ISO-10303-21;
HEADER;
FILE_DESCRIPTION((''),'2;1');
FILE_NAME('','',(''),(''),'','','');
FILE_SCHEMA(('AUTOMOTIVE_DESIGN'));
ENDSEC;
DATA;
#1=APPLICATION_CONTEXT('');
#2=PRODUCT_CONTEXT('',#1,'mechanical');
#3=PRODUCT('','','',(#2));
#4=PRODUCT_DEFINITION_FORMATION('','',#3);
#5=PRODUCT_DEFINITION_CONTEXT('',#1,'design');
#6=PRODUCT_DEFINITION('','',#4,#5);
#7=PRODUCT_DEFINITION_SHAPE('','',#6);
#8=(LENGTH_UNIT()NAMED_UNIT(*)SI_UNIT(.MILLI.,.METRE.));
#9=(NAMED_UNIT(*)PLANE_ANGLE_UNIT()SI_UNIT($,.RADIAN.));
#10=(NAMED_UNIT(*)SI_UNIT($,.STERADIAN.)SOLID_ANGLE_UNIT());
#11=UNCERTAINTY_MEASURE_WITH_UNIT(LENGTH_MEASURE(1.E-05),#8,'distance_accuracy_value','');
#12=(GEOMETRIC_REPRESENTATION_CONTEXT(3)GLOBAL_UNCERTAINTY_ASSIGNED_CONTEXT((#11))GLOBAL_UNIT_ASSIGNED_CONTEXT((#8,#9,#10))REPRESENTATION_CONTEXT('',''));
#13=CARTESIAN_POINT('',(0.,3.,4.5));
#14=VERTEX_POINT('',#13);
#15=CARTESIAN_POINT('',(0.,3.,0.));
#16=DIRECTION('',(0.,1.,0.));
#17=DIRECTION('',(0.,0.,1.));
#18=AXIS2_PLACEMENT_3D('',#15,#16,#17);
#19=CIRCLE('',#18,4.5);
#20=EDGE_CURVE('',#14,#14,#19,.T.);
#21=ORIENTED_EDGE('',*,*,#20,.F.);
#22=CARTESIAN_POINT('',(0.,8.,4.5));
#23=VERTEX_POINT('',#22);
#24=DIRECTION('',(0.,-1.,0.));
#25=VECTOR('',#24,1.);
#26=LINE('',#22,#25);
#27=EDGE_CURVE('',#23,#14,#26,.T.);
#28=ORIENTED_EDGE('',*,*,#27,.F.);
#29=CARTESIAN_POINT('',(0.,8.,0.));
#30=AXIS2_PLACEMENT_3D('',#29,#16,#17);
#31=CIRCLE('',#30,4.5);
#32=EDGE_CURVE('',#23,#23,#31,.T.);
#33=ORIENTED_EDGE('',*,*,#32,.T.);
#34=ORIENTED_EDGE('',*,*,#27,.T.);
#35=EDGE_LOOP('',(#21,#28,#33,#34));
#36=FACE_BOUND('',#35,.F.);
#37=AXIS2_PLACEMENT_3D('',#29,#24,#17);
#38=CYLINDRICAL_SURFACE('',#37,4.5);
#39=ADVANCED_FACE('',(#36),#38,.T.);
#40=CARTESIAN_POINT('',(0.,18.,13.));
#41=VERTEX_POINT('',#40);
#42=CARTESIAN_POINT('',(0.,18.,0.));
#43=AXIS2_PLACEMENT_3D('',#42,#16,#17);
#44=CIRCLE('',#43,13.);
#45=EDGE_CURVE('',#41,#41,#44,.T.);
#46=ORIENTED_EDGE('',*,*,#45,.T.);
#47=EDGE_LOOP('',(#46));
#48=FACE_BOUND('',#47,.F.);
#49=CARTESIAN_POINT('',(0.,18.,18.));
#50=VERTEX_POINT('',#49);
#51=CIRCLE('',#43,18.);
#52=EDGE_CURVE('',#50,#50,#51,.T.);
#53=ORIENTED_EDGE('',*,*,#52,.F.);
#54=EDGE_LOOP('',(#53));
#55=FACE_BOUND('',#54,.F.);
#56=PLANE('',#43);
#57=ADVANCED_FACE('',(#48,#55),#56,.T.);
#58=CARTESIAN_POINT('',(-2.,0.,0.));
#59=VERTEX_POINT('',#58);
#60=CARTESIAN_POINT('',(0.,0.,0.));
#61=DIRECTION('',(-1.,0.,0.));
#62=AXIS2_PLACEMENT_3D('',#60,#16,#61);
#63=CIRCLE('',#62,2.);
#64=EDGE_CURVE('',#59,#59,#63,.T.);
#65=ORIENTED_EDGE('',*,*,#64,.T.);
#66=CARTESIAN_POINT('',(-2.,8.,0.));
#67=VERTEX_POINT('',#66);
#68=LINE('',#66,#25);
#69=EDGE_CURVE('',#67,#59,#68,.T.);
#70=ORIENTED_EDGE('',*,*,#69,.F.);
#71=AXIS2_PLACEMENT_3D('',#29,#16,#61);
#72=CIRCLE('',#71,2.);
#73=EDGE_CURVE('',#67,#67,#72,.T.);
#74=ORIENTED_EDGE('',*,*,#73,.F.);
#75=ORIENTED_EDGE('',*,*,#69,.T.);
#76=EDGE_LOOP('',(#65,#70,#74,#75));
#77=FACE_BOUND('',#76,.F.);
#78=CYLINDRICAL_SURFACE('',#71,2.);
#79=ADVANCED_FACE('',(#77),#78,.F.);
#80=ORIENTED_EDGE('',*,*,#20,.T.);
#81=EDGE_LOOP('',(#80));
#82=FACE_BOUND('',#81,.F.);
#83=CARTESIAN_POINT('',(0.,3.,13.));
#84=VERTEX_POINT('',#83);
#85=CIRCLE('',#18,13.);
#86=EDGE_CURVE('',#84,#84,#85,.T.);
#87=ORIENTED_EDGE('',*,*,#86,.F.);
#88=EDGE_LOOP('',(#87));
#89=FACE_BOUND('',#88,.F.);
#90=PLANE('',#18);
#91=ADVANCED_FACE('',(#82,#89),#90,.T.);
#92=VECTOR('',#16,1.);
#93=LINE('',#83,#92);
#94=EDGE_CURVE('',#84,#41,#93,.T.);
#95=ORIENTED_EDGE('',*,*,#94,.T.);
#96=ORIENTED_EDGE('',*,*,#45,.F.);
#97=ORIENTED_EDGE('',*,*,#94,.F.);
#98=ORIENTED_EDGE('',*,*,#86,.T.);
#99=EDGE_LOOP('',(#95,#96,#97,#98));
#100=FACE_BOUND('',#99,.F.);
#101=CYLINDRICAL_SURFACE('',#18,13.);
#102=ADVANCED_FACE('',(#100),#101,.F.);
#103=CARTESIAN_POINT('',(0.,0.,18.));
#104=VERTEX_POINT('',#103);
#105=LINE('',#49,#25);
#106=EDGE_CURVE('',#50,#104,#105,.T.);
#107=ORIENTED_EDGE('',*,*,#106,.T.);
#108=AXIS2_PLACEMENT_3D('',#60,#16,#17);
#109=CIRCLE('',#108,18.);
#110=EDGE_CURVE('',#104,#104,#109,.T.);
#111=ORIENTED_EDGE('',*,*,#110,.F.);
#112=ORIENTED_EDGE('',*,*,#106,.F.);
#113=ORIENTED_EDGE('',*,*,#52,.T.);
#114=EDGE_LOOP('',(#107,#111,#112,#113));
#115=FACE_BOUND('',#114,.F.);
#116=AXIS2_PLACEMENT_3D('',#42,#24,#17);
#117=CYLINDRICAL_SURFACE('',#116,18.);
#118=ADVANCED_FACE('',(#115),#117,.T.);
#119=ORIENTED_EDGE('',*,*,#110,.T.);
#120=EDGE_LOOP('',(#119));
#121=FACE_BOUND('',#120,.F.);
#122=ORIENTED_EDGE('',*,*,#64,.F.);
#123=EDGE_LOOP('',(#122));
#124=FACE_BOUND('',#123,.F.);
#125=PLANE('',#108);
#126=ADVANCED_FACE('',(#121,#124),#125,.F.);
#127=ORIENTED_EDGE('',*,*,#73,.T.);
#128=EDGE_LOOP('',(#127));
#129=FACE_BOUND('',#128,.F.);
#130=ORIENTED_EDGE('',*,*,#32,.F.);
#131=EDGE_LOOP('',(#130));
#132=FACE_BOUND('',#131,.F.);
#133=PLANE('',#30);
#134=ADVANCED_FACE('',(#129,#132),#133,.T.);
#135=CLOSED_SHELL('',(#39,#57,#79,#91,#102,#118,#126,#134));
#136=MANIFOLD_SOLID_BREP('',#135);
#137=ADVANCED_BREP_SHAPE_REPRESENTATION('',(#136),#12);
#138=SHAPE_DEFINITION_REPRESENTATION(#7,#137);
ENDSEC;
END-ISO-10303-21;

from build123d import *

# Parameters (mm, degrees)
F3_R     = 2
F4_DEPTH = 25


with BuildPart() as f2:
    # F0 (on Right) → F2 (revolve)
    with BuildSketch(Plane.YZ):
        Polygon((0, 18), (0, 0), (8, 0), (8, 4.5), (3, 4.5), (3, 13), (18, 13), (18, 18), align=None)
    revolve(axis=Axis((0, -0.950184, 0), (0, 1, 0)))

    # F3 (on face) → F4 (cut)
    with BuildSketch(Plane(origin=(0, 8, 0), x_dir=(-1, 0, 0), z_dir=(0, 1, 0))):
        Circle(F3_R)
    extrude(amount=-F4_DEPTH, mode=Mode.SUBTRACT)


solid = f2.part
